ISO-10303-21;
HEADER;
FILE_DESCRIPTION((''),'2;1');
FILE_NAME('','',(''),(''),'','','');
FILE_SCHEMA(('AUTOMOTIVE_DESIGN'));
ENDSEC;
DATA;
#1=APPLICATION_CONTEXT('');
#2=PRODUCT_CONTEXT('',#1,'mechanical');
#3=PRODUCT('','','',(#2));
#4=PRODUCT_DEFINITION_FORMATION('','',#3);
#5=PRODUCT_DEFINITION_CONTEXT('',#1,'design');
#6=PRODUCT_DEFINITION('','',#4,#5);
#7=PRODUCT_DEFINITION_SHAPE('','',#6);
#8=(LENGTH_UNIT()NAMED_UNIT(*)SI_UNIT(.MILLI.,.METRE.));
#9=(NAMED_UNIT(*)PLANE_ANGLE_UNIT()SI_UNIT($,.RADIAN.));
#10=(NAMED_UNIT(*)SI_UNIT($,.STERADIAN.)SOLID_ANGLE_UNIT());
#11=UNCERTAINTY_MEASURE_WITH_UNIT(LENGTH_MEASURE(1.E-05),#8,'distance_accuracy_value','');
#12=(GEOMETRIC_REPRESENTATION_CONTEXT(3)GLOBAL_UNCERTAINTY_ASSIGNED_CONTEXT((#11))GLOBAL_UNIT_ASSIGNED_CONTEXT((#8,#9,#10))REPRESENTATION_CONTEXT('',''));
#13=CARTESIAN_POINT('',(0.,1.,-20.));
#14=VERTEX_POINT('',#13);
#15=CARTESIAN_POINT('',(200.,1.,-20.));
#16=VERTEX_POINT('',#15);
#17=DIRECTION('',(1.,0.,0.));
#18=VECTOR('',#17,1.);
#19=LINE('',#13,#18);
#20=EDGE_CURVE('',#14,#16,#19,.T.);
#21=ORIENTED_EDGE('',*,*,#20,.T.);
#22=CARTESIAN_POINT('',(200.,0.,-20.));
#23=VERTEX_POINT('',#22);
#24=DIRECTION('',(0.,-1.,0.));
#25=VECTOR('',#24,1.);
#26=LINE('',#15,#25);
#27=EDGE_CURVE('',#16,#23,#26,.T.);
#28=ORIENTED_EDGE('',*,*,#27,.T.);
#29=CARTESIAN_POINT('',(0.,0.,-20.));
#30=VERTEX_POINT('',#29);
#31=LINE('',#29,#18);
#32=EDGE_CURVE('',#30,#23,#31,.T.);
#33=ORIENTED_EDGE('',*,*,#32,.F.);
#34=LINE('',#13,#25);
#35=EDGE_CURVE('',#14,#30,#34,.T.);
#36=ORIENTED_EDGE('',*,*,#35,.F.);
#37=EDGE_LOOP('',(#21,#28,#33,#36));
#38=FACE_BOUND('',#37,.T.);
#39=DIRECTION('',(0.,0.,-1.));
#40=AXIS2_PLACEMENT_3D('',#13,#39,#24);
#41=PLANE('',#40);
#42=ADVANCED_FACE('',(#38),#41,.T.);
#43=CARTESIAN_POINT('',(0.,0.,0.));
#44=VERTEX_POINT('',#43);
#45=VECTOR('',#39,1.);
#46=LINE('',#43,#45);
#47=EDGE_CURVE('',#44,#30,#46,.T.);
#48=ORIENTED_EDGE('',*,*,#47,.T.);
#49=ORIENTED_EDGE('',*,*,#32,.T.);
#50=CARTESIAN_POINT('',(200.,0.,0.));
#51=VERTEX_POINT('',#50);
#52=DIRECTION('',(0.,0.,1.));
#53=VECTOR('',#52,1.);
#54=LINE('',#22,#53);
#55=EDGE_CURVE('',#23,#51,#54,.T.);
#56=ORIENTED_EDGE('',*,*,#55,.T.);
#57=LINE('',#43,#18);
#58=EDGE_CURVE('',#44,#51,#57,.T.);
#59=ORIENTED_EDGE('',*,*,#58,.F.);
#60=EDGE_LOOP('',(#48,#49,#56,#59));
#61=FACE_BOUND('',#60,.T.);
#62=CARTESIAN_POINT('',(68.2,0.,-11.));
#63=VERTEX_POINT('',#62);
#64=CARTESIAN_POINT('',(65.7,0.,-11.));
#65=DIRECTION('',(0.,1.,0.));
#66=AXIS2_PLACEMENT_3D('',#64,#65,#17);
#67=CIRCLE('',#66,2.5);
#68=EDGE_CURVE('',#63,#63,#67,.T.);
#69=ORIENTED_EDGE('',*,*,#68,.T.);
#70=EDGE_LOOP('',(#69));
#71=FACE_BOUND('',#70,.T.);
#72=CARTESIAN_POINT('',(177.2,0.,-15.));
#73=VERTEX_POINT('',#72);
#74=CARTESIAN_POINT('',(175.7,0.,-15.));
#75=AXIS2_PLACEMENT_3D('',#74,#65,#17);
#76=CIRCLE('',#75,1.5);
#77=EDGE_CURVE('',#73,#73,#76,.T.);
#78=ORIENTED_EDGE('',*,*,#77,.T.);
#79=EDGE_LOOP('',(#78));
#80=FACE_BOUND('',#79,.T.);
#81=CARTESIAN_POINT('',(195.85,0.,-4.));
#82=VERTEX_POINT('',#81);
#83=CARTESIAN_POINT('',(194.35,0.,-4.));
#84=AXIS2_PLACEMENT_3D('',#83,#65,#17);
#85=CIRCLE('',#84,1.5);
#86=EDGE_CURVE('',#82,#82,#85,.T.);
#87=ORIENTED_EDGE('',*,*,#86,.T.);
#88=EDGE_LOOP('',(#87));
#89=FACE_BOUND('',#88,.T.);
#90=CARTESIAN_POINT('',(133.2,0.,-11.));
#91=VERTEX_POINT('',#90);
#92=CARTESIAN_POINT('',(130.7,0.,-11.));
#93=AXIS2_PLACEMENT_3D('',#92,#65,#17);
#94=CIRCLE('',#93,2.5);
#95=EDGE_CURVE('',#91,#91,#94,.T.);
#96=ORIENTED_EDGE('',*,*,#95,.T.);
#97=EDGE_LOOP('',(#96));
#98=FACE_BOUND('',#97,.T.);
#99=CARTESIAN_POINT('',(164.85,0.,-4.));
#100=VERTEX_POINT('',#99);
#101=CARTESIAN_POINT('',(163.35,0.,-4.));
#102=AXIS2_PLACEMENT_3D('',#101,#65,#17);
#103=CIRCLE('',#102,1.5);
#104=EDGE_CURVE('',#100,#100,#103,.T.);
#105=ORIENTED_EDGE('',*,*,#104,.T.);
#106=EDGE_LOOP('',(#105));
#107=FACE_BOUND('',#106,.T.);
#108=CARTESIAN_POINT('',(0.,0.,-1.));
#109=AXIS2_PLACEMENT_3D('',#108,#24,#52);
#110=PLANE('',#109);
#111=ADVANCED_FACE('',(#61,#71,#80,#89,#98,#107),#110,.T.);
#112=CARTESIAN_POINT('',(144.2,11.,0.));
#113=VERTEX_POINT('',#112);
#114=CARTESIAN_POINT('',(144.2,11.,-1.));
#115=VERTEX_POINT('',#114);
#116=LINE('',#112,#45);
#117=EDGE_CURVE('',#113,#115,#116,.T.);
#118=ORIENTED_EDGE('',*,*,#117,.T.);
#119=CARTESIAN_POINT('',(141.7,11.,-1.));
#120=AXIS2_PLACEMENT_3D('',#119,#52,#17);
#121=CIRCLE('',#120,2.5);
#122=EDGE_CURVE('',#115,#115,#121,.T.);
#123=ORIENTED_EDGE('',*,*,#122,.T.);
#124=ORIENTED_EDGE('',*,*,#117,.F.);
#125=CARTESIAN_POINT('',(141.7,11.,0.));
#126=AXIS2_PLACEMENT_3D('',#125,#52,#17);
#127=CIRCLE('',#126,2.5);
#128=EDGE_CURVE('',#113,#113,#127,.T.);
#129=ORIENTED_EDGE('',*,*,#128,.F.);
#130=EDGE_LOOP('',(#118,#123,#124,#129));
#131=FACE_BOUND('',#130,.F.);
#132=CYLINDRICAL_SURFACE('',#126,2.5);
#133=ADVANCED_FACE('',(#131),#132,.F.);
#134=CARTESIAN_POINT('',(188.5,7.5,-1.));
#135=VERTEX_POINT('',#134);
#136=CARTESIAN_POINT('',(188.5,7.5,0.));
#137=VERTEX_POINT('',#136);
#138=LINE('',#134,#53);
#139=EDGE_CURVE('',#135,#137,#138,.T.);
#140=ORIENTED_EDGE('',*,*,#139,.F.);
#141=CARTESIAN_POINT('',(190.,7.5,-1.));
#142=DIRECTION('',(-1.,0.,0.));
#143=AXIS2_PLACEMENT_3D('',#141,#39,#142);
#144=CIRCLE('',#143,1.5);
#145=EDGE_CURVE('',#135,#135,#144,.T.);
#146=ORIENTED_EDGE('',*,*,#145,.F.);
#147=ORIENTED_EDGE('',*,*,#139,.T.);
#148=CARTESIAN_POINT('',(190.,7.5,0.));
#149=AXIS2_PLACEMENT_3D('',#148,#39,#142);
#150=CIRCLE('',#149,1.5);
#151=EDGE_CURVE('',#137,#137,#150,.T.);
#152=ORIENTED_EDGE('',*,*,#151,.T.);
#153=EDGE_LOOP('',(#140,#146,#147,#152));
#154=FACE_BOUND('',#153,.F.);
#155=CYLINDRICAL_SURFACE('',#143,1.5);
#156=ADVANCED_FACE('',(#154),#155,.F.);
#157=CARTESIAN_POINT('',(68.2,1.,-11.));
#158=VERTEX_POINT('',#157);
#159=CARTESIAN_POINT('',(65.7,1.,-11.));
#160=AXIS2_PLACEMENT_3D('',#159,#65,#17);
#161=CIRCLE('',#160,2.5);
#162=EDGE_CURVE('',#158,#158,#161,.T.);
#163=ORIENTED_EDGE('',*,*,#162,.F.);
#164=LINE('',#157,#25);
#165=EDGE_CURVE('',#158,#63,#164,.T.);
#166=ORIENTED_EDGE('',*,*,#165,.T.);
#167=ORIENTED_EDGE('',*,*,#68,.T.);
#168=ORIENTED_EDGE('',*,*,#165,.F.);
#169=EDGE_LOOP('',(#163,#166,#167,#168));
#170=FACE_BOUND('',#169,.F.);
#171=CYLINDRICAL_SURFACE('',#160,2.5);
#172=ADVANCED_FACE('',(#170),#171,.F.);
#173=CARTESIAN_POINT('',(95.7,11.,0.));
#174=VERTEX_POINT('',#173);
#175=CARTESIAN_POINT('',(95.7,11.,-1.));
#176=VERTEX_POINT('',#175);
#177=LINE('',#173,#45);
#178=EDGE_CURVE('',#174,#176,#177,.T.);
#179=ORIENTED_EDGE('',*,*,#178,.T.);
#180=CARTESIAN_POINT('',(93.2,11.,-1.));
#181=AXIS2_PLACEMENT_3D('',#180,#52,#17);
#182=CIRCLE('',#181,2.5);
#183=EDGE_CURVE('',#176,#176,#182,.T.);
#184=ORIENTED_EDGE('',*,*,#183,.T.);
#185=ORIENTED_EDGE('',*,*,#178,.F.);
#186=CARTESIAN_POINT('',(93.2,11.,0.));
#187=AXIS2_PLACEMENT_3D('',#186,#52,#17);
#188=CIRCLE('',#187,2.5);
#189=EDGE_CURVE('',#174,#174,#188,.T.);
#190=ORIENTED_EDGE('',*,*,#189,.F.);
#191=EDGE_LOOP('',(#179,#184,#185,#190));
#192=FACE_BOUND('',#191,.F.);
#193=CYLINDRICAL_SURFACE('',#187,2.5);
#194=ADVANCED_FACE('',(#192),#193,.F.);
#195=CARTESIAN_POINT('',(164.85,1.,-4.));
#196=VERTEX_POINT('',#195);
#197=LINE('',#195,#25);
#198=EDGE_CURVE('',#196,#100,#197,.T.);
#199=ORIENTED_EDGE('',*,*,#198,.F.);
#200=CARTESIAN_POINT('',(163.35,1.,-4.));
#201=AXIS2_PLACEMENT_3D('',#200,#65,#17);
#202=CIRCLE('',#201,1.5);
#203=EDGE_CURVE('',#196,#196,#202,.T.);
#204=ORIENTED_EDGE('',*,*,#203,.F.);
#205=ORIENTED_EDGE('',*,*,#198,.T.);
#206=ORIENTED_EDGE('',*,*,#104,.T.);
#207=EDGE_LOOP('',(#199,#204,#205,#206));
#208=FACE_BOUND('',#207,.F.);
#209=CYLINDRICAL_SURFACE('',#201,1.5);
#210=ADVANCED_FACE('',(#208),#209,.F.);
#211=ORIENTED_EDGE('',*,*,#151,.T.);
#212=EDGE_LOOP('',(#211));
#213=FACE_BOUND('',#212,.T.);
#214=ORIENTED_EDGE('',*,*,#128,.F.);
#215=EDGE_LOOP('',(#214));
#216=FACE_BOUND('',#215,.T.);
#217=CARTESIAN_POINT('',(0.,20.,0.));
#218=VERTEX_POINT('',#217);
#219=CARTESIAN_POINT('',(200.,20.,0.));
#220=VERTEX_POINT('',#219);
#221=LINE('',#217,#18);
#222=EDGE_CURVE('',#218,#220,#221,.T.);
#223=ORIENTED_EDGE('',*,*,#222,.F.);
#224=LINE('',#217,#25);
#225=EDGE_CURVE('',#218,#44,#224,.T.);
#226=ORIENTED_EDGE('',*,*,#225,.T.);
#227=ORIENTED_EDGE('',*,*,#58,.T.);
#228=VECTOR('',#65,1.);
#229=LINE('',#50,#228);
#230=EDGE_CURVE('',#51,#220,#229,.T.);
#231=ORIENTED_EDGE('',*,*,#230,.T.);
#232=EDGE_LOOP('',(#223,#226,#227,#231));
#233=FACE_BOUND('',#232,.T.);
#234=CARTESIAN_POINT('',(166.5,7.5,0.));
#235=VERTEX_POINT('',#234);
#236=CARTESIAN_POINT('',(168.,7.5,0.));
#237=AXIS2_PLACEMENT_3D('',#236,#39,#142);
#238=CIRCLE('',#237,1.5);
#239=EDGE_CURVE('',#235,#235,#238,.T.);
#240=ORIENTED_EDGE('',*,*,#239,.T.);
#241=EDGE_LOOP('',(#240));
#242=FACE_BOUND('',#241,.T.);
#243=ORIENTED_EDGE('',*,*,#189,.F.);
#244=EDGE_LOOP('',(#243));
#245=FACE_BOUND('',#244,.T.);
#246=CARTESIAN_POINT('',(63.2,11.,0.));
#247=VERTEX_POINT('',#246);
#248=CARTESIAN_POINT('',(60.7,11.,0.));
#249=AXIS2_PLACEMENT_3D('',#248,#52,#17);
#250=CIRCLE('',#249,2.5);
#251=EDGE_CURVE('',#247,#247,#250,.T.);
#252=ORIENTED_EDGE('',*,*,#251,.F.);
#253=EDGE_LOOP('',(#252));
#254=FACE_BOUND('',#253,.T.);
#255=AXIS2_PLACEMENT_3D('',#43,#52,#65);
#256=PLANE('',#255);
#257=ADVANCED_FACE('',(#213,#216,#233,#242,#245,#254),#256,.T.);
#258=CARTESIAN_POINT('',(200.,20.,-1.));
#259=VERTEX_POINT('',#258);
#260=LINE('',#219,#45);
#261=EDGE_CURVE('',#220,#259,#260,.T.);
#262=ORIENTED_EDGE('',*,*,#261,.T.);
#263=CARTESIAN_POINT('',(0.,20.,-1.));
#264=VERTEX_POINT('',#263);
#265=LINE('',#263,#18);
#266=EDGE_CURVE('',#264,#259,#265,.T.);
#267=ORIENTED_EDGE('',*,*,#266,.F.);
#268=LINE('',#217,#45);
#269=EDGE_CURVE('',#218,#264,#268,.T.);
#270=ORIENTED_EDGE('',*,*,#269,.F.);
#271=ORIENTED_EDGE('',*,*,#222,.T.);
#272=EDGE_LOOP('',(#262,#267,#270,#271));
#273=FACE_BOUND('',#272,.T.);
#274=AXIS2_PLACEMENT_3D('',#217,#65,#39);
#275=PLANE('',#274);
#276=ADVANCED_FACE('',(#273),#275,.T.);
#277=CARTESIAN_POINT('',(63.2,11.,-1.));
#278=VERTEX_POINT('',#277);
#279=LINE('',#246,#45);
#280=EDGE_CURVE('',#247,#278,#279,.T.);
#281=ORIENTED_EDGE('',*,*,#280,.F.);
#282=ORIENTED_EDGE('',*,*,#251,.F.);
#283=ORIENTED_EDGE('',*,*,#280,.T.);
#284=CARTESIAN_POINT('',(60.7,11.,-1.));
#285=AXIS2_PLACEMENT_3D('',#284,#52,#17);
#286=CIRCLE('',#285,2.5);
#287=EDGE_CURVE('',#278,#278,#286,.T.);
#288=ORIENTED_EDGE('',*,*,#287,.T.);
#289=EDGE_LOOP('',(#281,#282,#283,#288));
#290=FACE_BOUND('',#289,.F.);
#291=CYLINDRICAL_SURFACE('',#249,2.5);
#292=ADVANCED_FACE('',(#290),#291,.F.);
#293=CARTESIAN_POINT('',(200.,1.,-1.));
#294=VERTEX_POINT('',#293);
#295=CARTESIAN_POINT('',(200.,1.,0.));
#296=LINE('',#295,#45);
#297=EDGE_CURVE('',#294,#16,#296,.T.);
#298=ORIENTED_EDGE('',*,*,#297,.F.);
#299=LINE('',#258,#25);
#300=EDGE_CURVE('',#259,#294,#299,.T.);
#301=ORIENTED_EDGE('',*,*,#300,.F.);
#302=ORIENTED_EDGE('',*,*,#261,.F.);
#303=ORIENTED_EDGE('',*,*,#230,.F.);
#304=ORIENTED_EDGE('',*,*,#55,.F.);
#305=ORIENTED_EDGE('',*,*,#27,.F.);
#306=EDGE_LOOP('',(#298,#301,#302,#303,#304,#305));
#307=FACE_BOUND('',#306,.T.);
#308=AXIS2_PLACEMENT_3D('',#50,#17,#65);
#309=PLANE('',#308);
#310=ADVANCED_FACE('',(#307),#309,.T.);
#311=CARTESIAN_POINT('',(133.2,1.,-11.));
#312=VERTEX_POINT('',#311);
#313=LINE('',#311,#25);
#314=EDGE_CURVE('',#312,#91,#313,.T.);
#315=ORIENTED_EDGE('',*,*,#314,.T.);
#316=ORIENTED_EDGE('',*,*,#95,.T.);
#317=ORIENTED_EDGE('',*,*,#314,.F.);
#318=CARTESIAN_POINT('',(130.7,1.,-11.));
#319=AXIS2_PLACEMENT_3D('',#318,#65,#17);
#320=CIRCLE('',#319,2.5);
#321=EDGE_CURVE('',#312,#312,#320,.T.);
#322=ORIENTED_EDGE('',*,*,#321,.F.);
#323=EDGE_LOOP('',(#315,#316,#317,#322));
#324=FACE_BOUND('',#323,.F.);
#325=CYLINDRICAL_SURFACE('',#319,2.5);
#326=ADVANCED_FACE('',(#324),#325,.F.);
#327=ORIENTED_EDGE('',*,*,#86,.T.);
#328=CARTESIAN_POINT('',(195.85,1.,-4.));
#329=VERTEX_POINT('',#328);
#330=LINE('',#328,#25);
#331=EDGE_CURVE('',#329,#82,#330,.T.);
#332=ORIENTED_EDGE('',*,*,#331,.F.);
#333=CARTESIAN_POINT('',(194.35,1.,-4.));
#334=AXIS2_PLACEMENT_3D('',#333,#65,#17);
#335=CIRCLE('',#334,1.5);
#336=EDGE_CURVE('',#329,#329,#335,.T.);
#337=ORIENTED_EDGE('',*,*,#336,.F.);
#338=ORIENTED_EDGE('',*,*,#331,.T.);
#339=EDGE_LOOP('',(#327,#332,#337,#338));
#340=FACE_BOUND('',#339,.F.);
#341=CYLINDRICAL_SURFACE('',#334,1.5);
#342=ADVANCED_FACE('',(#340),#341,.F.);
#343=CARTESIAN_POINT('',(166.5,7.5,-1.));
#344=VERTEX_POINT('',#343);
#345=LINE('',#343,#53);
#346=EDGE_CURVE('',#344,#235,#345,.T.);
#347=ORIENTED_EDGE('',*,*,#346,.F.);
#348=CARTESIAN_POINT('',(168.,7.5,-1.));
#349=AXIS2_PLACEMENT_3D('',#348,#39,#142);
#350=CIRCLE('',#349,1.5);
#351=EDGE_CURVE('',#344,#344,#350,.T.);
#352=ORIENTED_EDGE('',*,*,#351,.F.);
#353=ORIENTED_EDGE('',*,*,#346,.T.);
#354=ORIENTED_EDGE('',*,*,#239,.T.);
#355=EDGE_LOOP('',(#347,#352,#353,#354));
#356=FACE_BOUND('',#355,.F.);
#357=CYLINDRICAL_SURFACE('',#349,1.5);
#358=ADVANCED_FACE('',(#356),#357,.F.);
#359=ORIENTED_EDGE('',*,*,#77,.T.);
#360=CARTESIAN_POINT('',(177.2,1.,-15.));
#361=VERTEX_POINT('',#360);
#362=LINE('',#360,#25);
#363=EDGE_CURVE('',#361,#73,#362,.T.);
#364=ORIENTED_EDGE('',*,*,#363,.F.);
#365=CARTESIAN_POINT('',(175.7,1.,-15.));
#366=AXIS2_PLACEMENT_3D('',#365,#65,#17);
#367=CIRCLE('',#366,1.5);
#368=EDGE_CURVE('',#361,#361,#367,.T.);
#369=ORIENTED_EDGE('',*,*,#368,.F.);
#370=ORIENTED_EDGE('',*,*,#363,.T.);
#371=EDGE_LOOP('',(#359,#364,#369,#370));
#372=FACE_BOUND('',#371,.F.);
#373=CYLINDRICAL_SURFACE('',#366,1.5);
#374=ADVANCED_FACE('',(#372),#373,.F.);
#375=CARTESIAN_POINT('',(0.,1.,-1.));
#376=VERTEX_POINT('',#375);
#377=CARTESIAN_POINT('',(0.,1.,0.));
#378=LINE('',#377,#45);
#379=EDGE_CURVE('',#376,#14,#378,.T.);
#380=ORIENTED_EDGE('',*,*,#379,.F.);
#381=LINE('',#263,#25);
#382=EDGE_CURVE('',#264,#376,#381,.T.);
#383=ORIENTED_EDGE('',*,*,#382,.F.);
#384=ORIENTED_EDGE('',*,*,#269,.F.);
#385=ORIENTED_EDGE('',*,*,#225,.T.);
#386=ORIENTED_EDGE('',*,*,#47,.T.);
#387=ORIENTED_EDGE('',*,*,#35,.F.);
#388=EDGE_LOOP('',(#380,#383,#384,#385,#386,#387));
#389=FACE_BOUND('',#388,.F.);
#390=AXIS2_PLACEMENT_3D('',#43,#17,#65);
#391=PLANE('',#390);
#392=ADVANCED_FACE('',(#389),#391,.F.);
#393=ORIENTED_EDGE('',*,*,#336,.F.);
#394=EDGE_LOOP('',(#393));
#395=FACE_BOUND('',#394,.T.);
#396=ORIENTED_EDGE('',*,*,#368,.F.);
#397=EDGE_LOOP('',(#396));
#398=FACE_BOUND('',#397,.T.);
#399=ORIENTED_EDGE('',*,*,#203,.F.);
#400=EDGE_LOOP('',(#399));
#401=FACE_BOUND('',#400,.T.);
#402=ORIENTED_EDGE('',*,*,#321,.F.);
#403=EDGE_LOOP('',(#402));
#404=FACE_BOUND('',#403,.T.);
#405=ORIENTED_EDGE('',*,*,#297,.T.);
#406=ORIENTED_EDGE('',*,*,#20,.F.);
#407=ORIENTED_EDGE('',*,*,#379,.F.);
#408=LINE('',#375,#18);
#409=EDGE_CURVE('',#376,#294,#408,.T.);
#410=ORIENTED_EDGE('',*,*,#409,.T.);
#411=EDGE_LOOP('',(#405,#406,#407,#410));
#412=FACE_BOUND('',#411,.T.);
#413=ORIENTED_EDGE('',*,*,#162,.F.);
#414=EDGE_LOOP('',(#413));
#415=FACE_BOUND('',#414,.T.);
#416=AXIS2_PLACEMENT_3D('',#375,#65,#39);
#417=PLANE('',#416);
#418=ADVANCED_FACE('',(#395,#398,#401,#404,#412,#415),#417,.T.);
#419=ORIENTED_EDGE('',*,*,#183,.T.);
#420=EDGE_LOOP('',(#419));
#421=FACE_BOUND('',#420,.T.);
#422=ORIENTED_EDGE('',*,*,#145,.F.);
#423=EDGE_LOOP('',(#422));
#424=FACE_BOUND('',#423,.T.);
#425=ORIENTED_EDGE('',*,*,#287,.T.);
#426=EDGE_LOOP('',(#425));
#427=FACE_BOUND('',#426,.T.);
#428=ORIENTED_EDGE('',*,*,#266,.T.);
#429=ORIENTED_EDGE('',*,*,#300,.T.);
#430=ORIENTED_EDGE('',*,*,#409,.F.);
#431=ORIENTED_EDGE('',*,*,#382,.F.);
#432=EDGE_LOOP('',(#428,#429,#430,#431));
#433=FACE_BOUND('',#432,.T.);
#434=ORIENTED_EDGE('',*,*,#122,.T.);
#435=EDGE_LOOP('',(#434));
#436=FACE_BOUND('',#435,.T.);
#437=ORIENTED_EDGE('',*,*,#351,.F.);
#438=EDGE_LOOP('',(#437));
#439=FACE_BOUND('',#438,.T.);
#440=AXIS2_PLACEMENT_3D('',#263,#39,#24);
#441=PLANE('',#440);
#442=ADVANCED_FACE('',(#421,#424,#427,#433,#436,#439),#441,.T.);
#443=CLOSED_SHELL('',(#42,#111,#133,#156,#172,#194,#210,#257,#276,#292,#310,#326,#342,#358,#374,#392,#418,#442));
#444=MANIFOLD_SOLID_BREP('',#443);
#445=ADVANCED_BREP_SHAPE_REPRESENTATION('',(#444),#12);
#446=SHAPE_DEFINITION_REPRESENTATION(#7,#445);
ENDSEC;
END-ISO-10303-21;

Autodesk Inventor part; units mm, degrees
ref_plane "YZ Plane" through (0, 0, 0) normal (1, 0, 0) x (0, 1, 0)
ref_plane "XZ Plane" through (0, 0, 0) normal (0, 1, 0) x (-1, 0, 0)
ref_plane "XY Plane" through (0, 0, 0) normal (0, 0, 1) x (1, 0, 0)
sketch "Boceto1" plane through (0, 0, 0) normal (1, 0, 0) x (0, 1, 0)
  line L0 (0, 0) -> (20, 0)
  line L1 (20, 0) -> (20, -1)
  line L2 (20, -1) -> (0, -1)
  line L3 (0, -1) -> (0, 0)
  line L4 (0, 0) -> (1, 0)
  line L5 (1, 0) -> (1, -20)
  line L6 (1, -20) -> (0, -20)
  line L7 (0, -20) -> (0, 0)
  point P0 (1, -1)
  dimension "d0" = 20
  dimension "d1" = 20
  dimension "d2" = 1
  dimension "d3" = 1
extrude "Extrusión1" add sketch "Boceto1" along normal blind 200
sketch "Boceto3" plane through (0, 1, -1) normal (0, 1, 0) x (1, 0, 0)
  circle A0 centre (194.35, 3) radius 1.5
  circle A1 centre (163.35, 3) radius 1.5
  line L0 (0, 19) -> (200, 19) projected
  line L1 (200, 19) -> (200, 0) projected
  line L2 (0, 0) -> (200, 0) projected
  point P0 (0, -1)
  dimension "d14" = 3
  dimension "d15" = 3
  dimension "d18" = 5.65
  dimension "d19" = 31
  dimension "d40" = 3
  dimension "d41" = 3
extrude "Extrusión3" cut sketch "Boceto3" against normal through all
sketch "Boceto4" plane through (0, 0, 0) normal (0, 0, 1) x (1, 0, 0)
  circle A0 centre (60.7, 11) radius 2.5
  line L0 (200, 20) -> (200, 0) projected
  circle A1 centre (93.2, 11) radius 2.5
  line L1 (0, 20) -> (200, 20) projected
  line L2 (0, 20) -> (0, 0) projected
  circle A2 centre (141.7, 11) radius 2.5
  dimension "d24" = 9
  dimension "d25" = 9
  dimension "d28" = 5
  dimension "d29" = 5
  dimension "d42" = 60.7
  dimension "d43" = 32.5
  dimension "d44" = 5
  dimension "d45" = 9
  dimension "d46" = 48.5
extrude "Extrusión4" cut sketch "Boceto4" against normal through all
sketch "Boceto5" plane through (0, 1, -1) normal (0, 1, 0) x (1, 0, 0)
  circle A0 centre (65.7, 10) radius 2.5
  line L0 (0, 19) -> (0, 0) projected
  circle A1 centre (130.7, 10) radius 2.5
  line L1 (0, 19) -> (200, 19) projected
  point P0 (0, -1)
  dimension "d30" = 5
  dimension "d32" = 65.7
  dimension "d33" = 5
  dimension "d39" = 65
  dimension "d62" = 9
  dimension "d63" = 9
extrude "Extrusión5" cut sketch "Boceto5" against normal through all
sketch "Boceto6" plane through (0, 1, -1) normal (0, 0, -1) x (-1, 0, 0)
  circle A0 centre (-190, 6.5) radius 1.5
  circle A1 centre (-168, 6.5) radius 1.5
  line L0 (-200, 0) -> (-200, 19) projected
  line L1 (0, 0) -> (-200, 0) projected
  point P0 (0, -1)
  dimension "d47" = 3
  dimension "d48" = 3
  dimension "d49" = 10
  dimension "d51" = 6.5
  dimension "d52" = 6.5
  dimension "d55" = 32
extrude "Extrusión6" cut sketch "Boceto6" against normal through all
sketch "Boceto7" plane through (0, 1, -1) normal (0, 1, 0) x (1, 0, 0)
  circle A0 centre (175.7, 14) radius 1.5
  line L0 (0, 0) -> (200, 0) projected
  line L1 (200, 19) -> (200, 0) projected
  line L2 (0, 19) -> (200, 19) projected
  point P0 (0, -1)
  dimension "d57" = 24.3
  dimension "d60" = 3
  dimension "d61" = 5
extrude "Extrusión7" cut sketch "Boceto7" against normal through all
equation "\"d1\" = d0"
equation "\"d3\" = d2"
equation "\"d15\" = d14"
equation "\"d41\" = d40"
equation "\"d24\" = d25"
equation "\"d29\" = d28"
equation "\"d44\" = d29"
equation "\"d45\" = d25"
equation "\"d33\" = d30"
equation "\"d63\" = d62"
equation "\"d48\" = d47"
equation "\"d52\" = d51"
properties part number "Angulo 2020x450" material "Madera (cerezo)"
